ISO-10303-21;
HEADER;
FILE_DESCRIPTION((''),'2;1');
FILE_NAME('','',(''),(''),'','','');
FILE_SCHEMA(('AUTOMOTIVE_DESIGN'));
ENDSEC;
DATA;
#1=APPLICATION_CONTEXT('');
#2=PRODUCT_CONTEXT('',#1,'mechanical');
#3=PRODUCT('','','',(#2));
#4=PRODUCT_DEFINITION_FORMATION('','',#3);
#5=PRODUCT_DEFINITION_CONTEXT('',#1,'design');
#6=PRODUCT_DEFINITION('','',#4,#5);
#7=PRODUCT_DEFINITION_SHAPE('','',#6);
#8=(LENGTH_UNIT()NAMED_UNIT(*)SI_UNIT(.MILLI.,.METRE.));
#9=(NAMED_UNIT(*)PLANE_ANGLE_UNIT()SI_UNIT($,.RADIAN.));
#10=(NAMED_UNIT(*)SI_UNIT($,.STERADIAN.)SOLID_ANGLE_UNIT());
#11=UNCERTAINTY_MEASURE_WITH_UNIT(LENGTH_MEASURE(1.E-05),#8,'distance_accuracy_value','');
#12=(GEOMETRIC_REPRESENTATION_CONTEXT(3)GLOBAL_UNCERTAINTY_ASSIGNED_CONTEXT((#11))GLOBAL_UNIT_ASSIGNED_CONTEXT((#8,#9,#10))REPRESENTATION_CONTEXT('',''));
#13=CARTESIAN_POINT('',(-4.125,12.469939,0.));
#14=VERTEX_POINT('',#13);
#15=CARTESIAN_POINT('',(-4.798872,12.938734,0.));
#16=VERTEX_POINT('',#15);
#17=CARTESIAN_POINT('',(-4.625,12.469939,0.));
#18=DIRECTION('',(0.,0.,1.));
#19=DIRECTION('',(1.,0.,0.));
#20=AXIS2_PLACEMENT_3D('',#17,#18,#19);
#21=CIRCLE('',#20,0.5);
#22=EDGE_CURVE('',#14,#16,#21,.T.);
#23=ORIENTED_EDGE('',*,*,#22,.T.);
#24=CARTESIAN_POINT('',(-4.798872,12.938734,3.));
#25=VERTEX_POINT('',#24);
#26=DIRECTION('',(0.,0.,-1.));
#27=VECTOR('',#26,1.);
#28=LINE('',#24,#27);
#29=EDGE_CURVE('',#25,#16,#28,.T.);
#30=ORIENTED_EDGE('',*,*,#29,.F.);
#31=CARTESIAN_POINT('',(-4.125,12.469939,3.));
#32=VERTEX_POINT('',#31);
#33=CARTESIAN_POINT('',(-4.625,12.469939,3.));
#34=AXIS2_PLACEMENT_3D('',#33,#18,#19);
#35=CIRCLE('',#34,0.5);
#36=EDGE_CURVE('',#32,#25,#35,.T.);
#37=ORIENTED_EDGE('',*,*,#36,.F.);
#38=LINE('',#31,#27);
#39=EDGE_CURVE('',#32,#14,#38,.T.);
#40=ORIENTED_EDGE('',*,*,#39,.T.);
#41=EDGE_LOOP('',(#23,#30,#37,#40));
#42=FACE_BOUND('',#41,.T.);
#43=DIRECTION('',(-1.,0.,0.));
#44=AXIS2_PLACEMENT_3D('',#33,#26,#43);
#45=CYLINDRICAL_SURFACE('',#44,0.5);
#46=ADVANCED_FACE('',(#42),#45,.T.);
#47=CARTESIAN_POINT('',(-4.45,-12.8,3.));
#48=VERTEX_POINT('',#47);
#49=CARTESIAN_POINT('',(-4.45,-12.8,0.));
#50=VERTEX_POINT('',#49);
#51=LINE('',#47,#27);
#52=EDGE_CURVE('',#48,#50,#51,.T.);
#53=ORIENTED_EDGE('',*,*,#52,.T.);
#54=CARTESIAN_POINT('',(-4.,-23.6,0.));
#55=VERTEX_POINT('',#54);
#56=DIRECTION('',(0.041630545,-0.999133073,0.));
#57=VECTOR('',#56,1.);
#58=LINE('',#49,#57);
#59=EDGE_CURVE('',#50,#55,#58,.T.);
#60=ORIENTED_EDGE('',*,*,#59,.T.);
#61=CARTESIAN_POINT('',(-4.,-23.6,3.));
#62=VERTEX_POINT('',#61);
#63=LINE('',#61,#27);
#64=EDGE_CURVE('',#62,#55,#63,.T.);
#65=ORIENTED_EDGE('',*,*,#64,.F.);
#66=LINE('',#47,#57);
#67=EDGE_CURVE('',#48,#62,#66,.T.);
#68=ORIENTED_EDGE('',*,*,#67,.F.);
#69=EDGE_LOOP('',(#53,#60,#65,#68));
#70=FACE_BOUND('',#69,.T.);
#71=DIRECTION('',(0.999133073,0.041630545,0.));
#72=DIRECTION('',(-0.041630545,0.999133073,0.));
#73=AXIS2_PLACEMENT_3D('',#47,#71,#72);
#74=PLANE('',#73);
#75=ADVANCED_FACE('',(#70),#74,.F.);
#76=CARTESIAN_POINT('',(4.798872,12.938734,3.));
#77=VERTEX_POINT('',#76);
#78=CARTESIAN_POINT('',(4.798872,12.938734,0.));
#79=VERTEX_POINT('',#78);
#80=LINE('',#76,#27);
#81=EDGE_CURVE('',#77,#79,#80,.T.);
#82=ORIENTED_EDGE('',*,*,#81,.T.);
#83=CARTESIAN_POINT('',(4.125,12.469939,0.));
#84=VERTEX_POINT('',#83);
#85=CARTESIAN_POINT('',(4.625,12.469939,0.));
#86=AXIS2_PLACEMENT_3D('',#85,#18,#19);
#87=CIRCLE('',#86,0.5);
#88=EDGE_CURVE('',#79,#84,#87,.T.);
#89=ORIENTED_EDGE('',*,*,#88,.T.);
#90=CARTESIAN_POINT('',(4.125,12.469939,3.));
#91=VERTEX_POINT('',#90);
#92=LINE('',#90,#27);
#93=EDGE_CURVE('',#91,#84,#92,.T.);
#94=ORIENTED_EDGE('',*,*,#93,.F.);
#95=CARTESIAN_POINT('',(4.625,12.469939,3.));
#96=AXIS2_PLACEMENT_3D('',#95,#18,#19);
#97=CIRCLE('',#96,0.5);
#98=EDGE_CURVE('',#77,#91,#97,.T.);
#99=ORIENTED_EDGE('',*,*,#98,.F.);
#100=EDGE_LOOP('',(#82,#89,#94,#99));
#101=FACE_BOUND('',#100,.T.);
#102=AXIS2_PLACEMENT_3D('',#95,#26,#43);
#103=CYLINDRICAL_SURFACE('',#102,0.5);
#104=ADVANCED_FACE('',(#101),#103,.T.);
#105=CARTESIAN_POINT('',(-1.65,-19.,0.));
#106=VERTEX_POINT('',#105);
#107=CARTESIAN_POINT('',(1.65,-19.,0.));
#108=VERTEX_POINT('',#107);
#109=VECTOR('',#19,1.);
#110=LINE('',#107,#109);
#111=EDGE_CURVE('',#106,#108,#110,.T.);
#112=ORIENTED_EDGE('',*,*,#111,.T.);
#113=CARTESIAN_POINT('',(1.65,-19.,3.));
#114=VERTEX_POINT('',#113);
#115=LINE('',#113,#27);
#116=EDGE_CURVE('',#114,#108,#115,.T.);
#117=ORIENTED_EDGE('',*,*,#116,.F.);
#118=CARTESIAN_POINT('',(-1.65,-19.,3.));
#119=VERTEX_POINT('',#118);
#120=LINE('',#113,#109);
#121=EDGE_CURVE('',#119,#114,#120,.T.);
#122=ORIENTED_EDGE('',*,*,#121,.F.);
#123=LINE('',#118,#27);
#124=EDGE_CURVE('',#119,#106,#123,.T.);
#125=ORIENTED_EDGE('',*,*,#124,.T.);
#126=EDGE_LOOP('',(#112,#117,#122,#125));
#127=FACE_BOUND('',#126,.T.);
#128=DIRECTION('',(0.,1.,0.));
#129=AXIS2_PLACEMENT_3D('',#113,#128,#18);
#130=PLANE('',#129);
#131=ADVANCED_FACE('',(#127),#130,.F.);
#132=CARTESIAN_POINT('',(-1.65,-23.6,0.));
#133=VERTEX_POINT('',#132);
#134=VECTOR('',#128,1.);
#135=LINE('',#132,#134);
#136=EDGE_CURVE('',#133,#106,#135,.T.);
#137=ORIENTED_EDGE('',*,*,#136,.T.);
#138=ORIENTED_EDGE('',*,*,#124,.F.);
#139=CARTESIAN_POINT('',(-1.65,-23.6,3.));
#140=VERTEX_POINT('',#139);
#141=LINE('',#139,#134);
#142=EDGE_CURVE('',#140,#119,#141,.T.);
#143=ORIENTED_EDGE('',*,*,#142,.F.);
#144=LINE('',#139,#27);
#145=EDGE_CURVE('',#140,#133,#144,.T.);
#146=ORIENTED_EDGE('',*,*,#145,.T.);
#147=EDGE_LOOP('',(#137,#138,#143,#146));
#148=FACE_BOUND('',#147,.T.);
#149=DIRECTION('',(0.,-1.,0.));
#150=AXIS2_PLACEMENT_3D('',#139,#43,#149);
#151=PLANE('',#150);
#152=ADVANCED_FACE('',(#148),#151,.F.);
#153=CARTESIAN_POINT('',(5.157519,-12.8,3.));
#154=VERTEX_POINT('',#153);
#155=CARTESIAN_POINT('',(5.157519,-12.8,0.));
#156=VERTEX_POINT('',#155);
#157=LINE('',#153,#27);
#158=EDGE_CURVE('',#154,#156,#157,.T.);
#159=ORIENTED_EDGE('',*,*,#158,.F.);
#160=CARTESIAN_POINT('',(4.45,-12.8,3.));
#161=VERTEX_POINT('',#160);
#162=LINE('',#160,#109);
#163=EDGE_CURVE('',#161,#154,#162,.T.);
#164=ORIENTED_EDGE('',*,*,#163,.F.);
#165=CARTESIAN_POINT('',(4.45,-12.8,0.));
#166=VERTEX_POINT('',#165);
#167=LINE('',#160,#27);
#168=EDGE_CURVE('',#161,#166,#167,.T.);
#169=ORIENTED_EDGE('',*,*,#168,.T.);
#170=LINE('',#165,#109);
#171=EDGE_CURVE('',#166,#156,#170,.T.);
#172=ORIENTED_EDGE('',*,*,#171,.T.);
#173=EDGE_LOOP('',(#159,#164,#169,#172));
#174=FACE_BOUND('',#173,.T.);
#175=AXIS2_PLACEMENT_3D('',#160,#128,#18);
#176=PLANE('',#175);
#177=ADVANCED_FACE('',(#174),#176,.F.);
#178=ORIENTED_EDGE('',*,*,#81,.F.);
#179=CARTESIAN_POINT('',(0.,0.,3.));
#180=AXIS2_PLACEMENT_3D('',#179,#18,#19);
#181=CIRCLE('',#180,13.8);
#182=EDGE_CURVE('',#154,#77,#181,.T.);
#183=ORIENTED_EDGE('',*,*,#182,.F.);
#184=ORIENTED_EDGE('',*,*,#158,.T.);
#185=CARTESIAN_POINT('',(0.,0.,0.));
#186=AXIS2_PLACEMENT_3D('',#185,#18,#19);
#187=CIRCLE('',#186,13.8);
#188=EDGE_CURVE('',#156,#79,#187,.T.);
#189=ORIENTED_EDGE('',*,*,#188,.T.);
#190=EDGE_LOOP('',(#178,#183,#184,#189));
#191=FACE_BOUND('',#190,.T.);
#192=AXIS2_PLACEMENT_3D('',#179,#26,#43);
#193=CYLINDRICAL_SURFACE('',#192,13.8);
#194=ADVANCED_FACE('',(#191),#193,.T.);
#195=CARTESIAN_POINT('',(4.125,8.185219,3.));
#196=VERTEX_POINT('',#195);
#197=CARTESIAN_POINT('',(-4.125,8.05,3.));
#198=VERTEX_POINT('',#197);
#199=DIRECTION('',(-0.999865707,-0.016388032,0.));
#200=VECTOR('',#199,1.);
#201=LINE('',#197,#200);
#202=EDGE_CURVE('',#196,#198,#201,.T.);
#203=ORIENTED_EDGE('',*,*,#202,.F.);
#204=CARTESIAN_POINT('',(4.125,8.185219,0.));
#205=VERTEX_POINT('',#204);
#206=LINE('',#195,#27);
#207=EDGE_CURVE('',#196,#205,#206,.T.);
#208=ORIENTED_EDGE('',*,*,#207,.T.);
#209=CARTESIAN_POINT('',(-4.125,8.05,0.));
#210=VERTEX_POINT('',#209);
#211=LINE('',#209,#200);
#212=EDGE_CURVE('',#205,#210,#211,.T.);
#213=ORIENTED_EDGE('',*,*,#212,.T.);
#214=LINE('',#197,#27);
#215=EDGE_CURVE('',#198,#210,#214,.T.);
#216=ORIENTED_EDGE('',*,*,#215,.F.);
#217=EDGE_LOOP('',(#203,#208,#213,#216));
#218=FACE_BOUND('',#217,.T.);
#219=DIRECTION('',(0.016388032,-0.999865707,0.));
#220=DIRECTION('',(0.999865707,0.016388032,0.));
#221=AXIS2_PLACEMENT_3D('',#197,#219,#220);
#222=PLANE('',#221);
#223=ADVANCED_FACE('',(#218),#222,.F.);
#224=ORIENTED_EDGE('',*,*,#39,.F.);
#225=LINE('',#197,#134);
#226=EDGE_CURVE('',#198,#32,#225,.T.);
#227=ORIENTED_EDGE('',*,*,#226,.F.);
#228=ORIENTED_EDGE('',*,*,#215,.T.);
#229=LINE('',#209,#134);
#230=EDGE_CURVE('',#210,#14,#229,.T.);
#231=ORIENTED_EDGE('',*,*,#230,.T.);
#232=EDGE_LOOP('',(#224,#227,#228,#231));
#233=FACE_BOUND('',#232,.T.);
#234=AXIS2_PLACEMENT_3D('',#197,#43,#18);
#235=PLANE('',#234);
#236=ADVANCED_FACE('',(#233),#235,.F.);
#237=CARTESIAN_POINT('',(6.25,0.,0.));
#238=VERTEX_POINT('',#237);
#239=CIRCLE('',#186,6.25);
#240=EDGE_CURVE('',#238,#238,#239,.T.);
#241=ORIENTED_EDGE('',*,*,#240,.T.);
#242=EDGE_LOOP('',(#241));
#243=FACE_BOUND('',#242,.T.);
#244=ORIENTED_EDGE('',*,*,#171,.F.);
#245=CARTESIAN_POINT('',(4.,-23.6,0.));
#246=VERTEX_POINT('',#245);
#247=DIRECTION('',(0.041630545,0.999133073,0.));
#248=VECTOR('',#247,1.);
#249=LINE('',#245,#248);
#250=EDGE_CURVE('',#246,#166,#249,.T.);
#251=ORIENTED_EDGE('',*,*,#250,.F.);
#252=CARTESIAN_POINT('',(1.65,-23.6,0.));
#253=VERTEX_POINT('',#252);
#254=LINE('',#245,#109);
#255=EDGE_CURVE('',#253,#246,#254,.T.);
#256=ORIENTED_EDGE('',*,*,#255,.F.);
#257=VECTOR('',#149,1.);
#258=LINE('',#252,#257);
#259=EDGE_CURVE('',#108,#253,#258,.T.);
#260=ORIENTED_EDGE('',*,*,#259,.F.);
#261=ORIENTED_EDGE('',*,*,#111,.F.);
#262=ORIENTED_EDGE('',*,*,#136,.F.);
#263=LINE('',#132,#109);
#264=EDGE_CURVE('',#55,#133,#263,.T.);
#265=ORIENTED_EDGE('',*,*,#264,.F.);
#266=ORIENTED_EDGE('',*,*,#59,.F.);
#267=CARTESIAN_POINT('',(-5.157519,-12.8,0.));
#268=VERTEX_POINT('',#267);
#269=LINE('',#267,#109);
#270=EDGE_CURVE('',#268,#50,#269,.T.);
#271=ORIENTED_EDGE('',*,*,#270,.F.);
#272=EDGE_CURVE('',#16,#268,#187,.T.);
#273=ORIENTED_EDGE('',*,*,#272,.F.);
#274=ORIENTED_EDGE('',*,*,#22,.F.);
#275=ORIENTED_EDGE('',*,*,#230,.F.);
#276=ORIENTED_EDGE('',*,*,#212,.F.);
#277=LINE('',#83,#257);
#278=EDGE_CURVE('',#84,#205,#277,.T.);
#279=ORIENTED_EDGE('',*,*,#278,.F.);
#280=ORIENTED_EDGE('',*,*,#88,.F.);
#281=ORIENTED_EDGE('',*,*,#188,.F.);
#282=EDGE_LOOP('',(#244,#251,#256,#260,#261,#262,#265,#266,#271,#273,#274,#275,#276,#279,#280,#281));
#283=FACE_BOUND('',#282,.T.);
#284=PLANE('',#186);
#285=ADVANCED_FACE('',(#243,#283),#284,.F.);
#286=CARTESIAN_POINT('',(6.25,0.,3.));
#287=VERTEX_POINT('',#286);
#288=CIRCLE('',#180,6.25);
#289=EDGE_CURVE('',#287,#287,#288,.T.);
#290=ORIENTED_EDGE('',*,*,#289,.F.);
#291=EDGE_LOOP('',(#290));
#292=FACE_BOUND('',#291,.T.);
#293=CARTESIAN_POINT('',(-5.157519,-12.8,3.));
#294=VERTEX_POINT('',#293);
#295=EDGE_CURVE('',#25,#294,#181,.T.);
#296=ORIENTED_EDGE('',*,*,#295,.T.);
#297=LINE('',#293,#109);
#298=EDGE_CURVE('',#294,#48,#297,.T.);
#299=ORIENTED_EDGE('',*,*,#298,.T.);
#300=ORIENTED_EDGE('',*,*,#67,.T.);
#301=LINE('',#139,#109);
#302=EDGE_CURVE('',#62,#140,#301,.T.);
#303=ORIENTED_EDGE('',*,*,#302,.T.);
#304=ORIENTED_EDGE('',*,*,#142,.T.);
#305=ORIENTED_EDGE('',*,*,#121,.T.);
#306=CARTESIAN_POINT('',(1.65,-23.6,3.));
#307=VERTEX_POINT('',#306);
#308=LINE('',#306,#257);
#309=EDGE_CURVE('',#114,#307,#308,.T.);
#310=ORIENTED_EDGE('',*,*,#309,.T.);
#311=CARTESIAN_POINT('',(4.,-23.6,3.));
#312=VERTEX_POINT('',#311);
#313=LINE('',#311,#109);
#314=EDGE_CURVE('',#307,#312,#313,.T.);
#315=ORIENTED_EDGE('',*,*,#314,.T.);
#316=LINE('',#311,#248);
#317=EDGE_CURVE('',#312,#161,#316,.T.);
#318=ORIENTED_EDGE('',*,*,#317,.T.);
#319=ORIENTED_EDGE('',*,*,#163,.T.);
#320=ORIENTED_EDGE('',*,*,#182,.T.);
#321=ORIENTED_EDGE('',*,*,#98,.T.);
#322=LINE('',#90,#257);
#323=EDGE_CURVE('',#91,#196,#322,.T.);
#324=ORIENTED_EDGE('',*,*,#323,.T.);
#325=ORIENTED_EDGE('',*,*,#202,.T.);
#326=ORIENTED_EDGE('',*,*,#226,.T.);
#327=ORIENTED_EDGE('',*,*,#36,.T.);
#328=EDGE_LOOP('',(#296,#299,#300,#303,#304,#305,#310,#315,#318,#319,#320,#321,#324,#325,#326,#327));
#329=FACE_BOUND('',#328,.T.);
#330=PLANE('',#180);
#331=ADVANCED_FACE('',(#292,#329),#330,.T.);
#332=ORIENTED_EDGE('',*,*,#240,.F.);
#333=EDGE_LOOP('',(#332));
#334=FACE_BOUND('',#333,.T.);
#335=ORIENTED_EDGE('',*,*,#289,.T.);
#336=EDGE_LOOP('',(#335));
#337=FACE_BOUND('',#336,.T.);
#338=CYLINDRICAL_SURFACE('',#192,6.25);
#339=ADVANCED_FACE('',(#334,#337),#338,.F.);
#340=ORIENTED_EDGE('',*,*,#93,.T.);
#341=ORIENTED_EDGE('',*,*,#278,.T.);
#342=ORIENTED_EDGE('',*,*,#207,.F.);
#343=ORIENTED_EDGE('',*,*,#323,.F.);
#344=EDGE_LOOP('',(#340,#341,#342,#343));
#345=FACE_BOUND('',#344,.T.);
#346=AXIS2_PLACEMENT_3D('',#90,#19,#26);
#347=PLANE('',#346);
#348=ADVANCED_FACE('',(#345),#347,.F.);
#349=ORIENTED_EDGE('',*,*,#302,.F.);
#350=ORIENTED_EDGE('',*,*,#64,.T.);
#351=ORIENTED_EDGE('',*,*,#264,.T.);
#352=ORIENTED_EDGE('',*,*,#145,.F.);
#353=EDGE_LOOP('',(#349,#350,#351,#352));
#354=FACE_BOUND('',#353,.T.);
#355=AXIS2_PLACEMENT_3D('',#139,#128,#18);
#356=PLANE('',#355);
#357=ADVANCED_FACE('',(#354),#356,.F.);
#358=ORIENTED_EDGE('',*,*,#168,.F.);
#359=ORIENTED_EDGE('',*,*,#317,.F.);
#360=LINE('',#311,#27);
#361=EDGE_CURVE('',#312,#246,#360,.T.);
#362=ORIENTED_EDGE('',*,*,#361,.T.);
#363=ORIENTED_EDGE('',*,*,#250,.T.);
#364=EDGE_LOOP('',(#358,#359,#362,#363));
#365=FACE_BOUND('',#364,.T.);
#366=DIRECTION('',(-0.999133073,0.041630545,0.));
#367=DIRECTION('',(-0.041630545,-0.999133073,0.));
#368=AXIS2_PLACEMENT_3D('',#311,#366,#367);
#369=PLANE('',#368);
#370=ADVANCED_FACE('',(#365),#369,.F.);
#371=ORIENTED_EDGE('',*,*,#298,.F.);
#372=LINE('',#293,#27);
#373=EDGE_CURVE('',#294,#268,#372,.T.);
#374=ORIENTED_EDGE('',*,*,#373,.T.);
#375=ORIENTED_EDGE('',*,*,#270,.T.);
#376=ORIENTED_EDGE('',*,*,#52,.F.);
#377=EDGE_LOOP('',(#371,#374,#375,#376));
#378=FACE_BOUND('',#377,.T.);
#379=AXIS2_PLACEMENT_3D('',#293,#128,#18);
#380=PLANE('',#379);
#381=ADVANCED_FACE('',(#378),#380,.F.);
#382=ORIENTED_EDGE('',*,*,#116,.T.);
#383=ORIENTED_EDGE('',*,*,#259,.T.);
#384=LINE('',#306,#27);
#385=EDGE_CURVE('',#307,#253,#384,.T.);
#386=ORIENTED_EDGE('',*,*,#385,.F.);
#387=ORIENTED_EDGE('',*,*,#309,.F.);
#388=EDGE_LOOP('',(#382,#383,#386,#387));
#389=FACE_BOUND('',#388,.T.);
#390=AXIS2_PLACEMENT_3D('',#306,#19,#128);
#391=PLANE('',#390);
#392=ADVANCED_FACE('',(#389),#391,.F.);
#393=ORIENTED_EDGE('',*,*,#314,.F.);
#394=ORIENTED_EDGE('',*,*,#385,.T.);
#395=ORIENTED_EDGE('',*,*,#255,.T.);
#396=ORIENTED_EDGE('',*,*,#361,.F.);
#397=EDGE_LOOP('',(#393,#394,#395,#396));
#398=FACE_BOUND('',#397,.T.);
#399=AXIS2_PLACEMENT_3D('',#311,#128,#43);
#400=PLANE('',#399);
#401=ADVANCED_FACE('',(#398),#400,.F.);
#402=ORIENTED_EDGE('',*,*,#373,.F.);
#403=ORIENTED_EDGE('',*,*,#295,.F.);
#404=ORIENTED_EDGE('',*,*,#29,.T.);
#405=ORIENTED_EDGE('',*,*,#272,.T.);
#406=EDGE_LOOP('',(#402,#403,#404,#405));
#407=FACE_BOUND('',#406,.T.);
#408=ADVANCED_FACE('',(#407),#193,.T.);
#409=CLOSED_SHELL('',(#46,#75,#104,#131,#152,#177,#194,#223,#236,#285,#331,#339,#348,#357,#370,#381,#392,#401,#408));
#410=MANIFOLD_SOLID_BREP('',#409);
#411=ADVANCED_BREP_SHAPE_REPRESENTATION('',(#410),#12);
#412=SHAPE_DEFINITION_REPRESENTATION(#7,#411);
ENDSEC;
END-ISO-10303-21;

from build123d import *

# Parameters (mm, degrees)
SKETCH_1_R      = 6.25
EXTRUDE_1_DEPTH = 3


with BuildPart() as part:
    # Эскиз1 → Бобышка-Вытянуть1 (new body)
    with BuildSketch(Plane.XY):
        with BuildLine():
            Line((-5.157518783, -12.8), (-4.45, -12.8))
            Line((-4.45, -12.8), (-4, -23.6))
            Line((-4, -23.6), (-1.65, -23.6))
            Line((-1.65, -23.6), (-1.65, -19))
            Line((-1.65, -19), (1.65, -19))
            Line((1.65, -19), (1.65, -23.6))
            Line((1.65, -23.6), (4, -23.6))
            Line((4, -23.6), (4.45, -12.8))
            Line((4.45, -12.8), (5.157518783, -12.8))
            ThreePointArc((5.157518783, -12.8), (13.798660493, 0.192272192), (4.79887218, 12.938733547))
            ThreePointArc((4.79887218, 12.938733547), (4.33946199, 12.880387443), (4.125, 12.469938853))
            Line((4.125, 12.469938853), (4.125, 8.185219421))
            Line((4.125, 8.185219421), (-4.125, 8.05))
            Line((-4.125, 8.05), (-4.125, 12.469938853))
            ThreePointArc((-4.125, 12.469938853), (-4.33946199, 12.880387443), (-4.79887218, 12.938733547))
            ThreePointArc((-4.79887218, 12.938733547), (-13.798660493, 0.192272192), (-5.157518783, -12.8))
        make_face()
        Circle(SKETCH_1_R, mode=Mode.SUBTRACT)
    extrude(amount=EXTRUDE_1_DEPTH)


solid = part.part
